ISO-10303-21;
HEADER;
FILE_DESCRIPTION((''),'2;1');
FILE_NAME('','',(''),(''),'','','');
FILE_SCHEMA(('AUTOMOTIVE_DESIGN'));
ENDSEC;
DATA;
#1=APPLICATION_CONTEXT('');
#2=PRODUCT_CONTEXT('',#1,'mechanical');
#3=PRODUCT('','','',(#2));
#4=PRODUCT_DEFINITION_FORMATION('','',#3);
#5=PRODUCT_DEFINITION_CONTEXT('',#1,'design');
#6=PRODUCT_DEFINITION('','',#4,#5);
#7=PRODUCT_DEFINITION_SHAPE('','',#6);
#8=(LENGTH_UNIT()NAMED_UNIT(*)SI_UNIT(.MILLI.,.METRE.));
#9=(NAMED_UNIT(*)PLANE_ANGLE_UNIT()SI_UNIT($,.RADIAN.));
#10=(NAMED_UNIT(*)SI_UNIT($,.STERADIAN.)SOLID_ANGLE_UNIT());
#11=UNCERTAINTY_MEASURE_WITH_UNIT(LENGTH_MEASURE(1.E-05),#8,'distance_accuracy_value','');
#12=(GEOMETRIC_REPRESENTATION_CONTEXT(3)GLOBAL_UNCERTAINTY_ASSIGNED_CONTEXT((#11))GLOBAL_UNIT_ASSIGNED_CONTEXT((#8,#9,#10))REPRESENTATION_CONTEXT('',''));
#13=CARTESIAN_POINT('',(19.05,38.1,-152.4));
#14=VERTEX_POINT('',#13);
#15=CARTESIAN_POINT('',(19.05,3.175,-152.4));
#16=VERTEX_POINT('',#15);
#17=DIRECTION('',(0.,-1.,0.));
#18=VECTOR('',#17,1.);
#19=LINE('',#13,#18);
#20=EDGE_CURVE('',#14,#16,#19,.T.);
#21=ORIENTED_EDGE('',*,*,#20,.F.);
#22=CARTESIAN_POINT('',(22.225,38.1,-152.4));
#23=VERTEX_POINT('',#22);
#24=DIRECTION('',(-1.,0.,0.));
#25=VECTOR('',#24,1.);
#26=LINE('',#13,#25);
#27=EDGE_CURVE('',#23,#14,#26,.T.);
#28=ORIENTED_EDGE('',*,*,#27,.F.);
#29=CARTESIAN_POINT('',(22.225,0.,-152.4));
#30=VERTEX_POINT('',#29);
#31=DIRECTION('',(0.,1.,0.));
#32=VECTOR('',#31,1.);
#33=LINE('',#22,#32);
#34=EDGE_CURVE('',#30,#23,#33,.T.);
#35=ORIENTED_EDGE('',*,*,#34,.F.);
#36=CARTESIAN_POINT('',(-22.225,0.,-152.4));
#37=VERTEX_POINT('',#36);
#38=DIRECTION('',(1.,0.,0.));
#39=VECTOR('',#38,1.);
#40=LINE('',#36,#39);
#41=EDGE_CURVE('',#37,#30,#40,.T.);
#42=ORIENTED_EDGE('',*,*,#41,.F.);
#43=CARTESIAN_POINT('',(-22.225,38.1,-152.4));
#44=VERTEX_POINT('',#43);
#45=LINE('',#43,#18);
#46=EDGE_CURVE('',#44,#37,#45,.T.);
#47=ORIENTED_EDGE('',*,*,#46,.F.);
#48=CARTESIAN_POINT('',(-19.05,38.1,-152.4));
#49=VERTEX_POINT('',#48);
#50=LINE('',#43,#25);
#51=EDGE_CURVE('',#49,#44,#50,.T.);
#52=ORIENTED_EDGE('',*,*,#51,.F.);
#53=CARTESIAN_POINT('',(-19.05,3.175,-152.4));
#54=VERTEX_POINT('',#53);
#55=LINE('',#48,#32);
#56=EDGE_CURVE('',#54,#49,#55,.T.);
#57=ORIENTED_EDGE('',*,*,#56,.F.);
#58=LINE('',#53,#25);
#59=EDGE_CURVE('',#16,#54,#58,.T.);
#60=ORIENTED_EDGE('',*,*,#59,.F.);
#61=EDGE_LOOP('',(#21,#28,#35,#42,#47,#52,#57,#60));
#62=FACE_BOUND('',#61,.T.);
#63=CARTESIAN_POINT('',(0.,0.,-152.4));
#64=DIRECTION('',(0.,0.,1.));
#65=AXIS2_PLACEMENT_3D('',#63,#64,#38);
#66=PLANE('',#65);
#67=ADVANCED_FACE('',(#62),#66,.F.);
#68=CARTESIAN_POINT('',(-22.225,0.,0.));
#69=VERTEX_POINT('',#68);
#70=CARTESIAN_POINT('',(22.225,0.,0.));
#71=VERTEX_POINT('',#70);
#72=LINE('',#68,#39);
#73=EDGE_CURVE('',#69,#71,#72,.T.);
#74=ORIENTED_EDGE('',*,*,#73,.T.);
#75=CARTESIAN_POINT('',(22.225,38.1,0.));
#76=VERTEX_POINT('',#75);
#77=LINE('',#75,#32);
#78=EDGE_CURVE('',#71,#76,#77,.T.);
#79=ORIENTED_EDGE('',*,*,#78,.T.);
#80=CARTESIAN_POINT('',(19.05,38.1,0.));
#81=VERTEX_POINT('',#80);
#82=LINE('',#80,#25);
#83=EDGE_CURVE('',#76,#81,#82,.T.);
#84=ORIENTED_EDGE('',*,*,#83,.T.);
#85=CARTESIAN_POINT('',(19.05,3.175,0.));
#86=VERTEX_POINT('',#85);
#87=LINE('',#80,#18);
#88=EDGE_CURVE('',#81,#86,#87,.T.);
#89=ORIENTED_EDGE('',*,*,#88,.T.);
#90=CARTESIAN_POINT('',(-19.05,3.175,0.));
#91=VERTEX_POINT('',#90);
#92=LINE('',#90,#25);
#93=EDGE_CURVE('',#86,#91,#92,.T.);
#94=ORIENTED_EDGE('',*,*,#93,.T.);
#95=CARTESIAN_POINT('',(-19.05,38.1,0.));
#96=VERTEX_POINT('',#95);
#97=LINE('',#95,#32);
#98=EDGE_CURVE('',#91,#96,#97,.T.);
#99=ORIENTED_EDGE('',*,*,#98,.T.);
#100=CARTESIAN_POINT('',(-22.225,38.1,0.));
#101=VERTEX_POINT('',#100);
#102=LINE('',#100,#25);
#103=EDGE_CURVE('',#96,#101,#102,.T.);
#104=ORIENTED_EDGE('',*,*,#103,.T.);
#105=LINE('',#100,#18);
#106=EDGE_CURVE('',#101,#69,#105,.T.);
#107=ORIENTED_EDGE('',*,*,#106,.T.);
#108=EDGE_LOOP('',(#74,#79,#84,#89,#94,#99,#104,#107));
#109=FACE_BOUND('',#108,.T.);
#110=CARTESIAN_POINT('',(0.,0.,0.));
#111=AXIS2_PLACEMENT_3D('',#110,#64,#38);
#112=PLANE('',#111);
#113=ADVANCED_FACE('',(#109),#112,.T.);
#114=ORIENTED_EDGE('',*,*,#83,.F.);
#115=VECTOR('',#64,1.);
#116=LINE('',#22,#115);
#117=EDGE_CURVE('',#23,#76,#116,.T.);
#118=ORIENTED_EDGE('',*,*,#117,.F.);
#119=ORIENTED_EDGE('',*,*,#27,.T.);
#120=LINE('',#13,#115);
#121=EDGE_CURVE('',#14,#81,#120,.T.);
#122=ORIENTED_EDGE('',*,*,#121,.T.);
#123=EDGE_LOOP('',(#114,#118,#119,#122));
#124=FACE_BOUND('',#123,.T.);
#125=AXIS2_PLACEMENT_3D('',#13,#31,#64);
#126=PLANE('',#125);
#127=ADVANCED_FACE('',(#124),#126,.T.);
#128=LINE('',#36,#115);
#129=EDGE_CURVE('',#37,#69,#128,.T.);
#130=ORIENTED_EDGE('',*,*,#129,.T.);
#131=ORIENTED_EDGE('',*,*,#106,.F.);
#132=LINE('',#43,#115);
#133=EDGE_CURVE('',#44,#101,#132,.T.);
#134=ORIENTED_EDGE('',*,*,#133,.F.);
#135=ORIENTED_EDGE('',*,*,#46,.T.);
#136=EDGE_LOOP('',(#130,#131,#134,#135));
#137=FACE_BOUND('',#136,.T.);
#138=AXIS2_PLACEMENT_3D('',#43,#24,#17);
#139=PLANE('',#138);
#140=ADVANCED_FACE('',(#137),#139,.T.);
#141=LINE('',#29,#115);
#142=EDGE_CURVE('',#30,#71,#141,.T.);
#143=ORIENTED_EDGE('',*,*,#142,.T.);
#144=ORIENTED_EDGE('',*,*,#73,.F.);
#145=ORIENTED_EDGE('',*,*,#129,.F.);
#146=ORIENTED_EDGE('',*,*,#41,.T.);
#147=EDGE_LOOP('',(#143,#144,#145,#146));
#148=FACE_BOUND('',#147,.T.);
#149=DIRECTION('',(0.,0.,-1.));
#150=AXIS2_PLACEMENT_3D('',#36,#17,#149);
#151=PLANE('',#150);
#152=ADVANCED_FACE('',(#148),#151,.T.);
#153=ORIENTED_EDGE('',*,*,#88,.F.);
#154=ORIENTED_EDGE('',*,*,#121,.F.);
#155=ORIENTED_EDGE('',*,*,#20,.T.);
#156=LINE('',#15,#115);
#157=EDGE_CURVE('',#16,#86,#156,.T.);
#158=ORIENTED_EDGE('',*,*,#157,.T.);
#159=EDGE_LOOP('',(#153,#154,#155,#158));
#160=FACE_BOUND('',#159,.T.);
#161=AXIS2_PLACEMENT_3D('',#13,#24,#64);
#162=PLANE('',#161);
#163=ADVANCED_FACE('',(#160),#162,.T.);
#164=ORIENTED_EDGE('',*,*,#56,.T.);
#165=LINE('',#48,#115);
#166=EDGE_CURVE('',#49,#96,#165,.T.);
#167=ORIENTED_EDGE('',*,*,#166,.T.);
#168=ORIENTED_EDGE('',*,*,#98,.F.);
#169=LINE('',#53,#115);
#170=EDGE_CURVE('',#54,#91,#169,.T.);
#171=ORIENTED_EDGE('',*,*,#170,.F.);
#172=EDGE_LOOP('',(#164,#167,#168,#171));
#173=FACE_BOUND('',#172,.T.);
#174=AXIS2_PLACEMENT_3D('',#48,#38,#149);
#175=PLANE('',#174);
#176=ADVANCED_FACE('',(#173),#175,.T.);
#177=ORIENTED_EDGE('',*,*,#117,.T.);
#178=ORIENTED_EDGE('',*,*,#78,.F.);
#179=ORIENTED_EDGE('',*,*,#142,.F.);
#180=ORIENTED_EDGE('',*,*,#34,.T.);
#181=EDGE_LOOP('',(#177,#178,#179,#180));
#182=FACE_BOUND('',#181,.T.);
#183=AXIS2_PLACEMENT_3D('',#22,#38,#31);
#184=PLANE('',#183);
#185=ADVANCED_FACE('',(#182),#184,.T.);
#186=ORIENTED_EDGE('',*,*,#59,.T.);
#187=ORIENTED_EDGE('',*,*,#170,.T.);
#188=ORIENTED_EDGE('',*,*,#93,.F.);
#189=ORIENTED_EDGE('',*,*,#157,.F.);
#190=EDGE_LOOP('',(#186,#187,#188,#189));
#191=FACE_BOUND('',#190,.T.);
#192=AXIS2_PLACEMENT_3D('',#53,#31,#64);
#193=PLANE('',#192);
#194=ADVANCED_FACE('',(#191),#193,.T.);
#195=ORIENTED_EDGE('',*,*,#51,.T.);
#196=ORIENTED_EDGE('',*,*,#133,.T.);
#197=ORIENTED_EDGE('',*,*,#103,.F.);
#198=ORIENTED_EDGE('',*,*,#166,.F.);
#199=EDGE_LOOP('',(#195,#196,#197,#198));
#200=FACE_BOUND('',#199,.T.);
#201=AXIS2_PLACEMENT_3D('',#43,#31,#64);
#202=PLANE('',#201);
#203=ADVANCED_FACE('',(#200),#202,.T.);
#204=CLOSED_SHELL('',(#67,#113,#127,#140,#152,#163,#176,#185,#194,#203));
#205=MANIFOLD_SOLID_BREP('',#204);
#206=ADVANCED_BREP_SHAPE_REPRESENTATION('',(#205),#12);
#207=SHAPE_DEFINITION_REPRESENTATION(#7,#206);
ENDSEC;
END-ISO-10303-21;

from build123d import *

# Parameters (mm, degrees)
BOSS_EXTRUDE1_DEPTH = 152.4


with BuildPart() as part:
    # Sketch1 → Boss-Extrude1 (new body)
    with BuildSketch(Plane.XY):
        Polygon((19.05, 38.1), (22.225, 38.1), (22.225, 0), (-22.225, 0), (-22.225, 38.1), (-19.05, 38.1), (-19.05, 3.175), (19.05, 3.175), align=None)
    extrude(amount=-BOSS_EXTRUDE1_DEPTH)


solid = part.part
